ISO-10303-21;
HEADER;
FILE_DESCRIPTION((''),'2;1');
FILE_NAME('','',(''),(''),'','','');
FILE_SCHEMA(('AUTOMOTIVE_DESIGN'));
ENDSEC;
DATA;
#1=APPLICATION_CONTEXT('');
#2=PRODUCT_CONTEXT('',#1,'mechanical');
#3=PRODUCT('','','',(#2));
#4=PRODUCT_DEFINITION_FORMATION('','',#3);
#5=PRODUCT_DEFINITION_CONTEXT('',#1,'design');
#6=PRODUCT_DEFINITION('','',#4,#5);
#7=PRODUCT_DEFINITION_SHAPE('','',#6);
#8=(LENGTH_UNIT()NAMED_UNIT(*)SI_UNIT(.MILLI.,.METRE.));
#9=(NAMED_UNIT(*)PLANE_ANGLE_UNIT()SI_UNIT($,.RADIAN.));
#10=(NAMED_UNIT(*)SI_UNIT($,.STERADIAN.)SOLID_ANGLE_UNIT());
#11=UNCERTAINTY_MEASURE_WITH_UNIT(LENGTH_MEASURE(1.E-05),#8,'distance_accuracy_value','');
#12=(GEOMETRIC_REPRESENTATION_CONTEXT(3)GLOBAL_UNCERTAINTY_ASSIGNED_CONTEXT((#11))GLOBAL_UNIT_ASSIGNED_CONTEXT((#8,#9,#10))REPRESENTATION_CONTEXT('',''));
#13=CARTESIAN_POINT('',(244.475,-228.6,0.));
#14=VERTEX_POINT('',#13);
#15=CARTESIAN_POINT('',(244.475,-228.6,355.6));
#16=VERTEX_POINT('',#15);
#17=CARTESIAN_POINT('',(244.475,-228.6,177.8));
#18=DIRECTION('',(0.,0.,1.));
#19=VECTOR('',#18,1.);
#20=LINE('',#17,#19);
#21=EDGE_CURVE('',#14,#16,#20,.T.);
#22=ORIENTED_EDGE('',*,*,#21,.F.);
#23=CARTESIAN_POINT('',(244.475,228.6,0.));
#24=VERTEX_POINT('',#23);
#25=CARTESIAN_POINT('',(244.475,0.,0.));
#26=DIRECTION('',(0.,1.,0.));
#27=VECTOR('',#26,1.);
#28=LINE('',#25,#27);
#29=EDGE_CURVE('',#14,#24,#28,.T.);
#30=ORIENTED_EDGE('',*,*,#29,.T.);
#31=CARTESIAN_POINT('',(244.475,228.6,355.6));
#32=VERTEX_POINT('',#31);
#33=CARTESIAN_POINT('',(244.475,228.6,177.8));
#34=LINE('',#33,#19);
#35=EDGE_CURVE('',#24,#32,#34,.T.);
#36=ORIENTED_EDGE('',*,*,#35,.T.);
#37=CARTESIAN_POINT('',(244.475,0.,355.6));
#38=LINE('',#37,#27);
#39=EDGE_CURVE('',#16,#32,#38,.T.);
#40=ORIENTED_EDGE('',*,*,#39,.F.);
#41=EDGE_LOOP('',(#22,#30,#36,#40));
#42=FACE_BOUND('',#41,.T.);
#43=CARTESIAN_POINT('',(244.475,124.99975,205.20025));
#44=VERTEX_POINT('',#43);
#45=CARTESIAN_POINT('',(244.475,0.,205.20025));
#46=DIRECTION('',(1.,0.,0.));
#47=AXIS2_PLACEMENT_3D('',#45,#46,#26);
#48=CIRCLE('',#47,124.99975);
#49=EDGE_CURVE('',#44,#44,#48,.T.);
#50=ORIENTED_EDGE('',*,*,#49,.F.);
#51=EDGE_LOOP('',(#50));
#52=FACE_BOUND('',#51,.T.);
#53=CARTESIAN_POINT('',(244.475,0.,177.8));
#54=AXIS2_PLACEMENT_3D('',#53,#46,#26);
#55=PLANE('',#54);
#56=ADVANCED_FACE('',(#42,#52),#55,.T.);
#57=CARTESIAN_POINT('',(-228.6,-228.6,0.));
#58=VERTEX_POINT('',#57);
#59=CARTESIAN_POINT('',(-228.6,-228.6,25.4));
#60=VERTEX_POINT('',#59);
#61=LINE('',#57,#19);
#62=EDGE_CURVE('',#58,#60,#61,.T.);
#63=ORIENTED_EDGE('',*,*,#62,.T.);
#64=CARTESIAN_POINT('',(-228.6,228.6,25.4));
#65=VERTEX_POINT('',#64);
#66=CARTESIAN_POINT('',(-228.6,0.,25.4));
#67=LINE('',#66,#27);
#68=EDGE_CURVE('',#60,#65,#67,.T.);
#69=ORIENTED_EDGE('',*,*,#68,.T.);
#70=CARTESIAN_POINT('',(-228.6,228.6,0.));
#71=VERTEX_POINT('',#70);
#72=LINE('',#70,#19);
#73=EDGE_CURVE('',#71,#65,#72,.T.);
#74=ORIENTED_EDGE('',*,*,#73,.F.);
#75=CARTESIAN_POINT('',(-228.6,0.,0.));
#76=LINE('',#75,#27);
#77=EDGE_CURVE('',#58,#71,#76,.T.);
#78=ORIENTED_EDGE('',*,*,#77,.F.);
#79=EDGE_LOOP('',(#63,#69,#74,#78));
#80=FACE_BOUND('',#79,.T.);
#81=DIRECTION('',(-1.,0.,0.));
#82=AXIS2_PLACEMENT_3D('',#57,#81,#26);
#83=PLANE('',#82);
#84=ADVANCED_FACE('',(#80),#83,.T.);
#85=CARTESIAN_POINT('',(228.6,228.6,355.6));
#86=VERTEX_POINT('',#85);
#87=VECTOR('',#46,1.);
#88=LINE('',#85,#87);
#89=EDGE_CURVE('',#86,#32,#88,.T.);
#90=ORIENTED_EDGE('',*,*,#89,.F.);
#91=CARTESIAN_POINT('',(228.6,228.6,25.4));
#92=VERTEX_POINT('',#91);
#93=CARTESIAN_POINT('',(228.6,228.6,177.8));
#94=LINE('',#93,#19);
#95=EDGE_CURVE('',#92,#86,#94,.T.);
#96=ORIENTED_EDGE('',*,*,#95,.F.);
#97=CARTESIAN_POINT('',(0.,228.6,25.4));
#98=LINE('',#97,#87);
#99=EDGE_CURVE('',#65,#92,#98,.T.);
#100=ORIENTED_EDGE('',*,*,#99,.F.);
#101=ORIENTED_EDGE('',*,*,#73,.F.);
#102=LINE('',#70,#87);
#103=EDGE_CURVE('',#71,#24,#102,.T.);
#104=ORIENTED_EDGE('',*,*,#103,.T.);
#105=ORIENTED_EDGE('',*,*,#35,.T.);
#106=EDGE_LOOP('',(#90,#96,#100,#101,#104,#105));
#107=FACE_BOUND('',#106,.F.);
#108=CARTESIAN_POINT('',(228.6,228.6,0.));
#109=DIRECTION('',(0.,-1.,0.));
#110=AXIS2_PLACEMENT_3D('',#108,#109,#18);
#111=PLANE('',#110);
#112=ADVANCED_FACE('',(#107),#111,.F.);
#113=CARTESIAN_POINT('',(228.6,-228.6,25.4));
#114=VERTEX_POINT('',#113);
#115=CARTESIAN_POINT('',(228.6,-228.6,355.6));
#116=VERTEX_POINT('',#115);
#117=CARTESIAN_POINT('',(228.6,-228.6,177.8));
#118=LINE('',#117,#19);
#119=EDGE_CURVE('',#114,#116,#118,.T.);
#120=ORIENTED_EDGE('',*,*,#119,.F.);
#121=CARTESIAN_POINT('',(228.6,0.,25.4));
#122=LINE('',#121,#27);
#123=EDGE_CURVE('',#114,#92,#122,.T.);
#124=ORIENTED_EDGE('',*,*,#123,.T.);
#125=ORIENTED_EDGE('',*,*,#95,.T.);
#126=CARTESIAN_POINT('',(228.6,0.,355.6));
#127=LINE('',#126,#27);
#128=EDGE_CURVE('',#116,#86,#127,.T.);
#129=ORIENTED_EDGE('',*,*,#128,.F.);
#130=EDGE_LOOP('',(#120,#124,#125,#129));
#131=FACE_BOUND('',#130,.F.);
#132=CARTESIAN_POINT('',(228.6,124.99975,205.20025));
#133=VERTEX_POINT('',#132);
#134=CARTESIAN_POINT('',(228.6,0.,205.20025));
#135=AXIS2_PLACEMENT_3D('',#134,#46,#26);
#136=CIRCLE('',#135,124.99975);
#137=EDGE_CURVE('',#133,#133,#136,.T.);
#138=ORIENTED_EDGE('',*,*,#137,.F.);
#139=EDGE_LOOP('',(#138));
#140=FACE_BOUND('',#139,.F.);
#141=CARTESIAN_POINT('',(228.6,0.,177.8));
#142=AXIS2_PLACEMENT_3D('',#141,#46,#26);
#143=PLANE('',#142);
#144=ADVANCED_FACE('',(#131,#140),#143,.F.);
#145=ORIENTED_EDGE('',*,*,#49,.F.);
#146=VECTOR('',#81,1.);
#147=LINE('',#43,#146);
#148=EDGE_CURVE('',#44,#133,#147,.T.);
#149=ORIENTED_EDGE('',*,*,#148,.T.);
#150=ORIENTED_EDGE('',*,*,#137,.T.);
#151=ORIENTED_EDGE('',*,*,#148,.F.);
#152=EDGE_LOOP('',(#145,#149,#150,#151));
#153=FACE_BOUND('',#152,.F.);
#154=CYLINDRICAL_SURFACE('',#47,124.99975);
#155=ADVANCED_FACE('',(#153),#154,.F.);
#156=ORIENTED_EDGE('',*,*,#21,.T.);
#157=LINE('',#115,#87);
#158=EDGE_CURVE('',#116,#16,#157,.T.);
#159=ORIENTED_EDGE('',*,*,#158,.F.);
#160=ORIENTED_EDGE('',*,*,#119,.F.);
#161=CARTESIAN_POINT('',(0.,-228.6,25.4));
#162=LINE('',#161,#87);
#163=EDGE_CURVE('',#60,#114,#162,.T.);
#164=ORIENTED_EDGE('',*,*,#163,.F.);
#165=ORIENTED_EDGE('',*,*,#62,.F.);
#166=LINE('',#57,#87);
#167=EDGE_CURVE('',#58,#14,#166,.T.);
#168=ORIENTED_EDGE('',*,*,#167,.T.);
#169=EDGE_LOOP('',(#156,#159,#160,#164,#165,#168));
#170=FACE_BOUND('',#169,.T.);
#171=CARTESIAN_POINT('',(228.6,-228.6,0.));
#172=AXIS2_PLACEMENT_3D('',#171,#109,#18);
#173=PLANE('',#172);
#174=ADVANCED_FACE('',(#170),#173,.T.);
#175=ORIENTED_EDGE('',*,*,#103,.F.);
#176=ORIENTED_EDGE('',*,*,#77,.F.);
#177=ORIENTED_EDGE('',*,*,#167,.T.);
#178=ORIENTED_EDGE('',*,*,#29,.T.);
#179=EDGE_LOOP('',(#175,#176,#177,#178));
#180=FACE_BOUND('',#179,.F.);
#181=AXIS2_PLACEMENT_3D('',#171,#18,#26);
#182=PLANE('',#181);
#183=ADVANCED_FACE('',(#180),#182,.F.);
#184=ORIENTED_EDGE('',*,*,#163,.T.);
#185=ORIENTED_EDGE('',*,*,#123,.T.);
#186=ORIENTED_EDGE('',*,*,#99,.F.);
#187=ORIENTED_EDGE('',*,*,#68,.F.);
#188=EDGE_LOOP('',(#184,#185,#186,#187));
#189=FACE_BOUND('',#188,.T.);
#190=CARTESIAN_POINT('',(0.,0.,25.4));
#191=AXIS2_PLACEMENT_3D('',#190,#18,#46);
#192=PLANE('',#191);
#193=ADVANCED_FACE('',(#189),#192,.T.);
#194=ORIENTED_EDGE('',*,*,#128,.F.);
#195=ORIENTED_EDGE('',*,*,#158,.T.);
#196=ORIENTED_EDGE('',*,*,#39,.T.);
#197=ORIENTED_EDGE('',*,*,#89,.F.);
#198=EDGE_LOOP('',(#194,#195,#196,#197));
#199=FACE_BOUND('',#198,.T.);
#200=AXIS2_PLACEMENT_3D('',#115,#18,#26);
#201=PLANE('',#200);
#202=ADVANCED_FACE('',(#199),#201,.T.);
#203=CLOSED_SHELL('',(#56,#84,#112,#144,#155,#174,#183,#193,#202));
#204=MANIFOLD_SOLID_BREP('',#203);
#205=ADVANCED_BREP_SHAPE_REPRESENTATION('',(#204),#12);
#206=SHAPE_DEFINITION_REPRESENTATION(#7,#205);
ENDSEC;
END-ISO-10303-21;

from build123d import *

# Parameters (mm, degrees)
F0_W     = 457.2
F0_H     = 457.2
F1_DEPTH = 25.4
F2_W     = 457.2
F2_H     = 355.6
F3_DEPTH = 15.875
F4_R     = 124.99975
F5_DEPTH = 15.875


with BuildPart() as f1:
    # F0 (on Top) → F1 (new body)
    with BuildSketch(Plane.XY):
        Rectangle(F0_W, F0_H)
    extrude(amount=F1_DEPTH)

    # F2 (on face) → F3 (join)
    with BuildSketch(Plane.YZ.offset(228.6)):
        with Locations((0, 177.8)):
            Rectangle(F2_W, F2_H)
    extrude(amount=F3_DEPTH)

    # F4 (on face) → F5 (cut, through all)
    with BuildSketch(Plane.YZ.offset(244.475)):
        with Locations((0, 205.20025)):
            Circle(F4_R)
    extrude(amount=-F5_DEPTH, mode=Mode.SUBTRACT)


solid = f1.part
